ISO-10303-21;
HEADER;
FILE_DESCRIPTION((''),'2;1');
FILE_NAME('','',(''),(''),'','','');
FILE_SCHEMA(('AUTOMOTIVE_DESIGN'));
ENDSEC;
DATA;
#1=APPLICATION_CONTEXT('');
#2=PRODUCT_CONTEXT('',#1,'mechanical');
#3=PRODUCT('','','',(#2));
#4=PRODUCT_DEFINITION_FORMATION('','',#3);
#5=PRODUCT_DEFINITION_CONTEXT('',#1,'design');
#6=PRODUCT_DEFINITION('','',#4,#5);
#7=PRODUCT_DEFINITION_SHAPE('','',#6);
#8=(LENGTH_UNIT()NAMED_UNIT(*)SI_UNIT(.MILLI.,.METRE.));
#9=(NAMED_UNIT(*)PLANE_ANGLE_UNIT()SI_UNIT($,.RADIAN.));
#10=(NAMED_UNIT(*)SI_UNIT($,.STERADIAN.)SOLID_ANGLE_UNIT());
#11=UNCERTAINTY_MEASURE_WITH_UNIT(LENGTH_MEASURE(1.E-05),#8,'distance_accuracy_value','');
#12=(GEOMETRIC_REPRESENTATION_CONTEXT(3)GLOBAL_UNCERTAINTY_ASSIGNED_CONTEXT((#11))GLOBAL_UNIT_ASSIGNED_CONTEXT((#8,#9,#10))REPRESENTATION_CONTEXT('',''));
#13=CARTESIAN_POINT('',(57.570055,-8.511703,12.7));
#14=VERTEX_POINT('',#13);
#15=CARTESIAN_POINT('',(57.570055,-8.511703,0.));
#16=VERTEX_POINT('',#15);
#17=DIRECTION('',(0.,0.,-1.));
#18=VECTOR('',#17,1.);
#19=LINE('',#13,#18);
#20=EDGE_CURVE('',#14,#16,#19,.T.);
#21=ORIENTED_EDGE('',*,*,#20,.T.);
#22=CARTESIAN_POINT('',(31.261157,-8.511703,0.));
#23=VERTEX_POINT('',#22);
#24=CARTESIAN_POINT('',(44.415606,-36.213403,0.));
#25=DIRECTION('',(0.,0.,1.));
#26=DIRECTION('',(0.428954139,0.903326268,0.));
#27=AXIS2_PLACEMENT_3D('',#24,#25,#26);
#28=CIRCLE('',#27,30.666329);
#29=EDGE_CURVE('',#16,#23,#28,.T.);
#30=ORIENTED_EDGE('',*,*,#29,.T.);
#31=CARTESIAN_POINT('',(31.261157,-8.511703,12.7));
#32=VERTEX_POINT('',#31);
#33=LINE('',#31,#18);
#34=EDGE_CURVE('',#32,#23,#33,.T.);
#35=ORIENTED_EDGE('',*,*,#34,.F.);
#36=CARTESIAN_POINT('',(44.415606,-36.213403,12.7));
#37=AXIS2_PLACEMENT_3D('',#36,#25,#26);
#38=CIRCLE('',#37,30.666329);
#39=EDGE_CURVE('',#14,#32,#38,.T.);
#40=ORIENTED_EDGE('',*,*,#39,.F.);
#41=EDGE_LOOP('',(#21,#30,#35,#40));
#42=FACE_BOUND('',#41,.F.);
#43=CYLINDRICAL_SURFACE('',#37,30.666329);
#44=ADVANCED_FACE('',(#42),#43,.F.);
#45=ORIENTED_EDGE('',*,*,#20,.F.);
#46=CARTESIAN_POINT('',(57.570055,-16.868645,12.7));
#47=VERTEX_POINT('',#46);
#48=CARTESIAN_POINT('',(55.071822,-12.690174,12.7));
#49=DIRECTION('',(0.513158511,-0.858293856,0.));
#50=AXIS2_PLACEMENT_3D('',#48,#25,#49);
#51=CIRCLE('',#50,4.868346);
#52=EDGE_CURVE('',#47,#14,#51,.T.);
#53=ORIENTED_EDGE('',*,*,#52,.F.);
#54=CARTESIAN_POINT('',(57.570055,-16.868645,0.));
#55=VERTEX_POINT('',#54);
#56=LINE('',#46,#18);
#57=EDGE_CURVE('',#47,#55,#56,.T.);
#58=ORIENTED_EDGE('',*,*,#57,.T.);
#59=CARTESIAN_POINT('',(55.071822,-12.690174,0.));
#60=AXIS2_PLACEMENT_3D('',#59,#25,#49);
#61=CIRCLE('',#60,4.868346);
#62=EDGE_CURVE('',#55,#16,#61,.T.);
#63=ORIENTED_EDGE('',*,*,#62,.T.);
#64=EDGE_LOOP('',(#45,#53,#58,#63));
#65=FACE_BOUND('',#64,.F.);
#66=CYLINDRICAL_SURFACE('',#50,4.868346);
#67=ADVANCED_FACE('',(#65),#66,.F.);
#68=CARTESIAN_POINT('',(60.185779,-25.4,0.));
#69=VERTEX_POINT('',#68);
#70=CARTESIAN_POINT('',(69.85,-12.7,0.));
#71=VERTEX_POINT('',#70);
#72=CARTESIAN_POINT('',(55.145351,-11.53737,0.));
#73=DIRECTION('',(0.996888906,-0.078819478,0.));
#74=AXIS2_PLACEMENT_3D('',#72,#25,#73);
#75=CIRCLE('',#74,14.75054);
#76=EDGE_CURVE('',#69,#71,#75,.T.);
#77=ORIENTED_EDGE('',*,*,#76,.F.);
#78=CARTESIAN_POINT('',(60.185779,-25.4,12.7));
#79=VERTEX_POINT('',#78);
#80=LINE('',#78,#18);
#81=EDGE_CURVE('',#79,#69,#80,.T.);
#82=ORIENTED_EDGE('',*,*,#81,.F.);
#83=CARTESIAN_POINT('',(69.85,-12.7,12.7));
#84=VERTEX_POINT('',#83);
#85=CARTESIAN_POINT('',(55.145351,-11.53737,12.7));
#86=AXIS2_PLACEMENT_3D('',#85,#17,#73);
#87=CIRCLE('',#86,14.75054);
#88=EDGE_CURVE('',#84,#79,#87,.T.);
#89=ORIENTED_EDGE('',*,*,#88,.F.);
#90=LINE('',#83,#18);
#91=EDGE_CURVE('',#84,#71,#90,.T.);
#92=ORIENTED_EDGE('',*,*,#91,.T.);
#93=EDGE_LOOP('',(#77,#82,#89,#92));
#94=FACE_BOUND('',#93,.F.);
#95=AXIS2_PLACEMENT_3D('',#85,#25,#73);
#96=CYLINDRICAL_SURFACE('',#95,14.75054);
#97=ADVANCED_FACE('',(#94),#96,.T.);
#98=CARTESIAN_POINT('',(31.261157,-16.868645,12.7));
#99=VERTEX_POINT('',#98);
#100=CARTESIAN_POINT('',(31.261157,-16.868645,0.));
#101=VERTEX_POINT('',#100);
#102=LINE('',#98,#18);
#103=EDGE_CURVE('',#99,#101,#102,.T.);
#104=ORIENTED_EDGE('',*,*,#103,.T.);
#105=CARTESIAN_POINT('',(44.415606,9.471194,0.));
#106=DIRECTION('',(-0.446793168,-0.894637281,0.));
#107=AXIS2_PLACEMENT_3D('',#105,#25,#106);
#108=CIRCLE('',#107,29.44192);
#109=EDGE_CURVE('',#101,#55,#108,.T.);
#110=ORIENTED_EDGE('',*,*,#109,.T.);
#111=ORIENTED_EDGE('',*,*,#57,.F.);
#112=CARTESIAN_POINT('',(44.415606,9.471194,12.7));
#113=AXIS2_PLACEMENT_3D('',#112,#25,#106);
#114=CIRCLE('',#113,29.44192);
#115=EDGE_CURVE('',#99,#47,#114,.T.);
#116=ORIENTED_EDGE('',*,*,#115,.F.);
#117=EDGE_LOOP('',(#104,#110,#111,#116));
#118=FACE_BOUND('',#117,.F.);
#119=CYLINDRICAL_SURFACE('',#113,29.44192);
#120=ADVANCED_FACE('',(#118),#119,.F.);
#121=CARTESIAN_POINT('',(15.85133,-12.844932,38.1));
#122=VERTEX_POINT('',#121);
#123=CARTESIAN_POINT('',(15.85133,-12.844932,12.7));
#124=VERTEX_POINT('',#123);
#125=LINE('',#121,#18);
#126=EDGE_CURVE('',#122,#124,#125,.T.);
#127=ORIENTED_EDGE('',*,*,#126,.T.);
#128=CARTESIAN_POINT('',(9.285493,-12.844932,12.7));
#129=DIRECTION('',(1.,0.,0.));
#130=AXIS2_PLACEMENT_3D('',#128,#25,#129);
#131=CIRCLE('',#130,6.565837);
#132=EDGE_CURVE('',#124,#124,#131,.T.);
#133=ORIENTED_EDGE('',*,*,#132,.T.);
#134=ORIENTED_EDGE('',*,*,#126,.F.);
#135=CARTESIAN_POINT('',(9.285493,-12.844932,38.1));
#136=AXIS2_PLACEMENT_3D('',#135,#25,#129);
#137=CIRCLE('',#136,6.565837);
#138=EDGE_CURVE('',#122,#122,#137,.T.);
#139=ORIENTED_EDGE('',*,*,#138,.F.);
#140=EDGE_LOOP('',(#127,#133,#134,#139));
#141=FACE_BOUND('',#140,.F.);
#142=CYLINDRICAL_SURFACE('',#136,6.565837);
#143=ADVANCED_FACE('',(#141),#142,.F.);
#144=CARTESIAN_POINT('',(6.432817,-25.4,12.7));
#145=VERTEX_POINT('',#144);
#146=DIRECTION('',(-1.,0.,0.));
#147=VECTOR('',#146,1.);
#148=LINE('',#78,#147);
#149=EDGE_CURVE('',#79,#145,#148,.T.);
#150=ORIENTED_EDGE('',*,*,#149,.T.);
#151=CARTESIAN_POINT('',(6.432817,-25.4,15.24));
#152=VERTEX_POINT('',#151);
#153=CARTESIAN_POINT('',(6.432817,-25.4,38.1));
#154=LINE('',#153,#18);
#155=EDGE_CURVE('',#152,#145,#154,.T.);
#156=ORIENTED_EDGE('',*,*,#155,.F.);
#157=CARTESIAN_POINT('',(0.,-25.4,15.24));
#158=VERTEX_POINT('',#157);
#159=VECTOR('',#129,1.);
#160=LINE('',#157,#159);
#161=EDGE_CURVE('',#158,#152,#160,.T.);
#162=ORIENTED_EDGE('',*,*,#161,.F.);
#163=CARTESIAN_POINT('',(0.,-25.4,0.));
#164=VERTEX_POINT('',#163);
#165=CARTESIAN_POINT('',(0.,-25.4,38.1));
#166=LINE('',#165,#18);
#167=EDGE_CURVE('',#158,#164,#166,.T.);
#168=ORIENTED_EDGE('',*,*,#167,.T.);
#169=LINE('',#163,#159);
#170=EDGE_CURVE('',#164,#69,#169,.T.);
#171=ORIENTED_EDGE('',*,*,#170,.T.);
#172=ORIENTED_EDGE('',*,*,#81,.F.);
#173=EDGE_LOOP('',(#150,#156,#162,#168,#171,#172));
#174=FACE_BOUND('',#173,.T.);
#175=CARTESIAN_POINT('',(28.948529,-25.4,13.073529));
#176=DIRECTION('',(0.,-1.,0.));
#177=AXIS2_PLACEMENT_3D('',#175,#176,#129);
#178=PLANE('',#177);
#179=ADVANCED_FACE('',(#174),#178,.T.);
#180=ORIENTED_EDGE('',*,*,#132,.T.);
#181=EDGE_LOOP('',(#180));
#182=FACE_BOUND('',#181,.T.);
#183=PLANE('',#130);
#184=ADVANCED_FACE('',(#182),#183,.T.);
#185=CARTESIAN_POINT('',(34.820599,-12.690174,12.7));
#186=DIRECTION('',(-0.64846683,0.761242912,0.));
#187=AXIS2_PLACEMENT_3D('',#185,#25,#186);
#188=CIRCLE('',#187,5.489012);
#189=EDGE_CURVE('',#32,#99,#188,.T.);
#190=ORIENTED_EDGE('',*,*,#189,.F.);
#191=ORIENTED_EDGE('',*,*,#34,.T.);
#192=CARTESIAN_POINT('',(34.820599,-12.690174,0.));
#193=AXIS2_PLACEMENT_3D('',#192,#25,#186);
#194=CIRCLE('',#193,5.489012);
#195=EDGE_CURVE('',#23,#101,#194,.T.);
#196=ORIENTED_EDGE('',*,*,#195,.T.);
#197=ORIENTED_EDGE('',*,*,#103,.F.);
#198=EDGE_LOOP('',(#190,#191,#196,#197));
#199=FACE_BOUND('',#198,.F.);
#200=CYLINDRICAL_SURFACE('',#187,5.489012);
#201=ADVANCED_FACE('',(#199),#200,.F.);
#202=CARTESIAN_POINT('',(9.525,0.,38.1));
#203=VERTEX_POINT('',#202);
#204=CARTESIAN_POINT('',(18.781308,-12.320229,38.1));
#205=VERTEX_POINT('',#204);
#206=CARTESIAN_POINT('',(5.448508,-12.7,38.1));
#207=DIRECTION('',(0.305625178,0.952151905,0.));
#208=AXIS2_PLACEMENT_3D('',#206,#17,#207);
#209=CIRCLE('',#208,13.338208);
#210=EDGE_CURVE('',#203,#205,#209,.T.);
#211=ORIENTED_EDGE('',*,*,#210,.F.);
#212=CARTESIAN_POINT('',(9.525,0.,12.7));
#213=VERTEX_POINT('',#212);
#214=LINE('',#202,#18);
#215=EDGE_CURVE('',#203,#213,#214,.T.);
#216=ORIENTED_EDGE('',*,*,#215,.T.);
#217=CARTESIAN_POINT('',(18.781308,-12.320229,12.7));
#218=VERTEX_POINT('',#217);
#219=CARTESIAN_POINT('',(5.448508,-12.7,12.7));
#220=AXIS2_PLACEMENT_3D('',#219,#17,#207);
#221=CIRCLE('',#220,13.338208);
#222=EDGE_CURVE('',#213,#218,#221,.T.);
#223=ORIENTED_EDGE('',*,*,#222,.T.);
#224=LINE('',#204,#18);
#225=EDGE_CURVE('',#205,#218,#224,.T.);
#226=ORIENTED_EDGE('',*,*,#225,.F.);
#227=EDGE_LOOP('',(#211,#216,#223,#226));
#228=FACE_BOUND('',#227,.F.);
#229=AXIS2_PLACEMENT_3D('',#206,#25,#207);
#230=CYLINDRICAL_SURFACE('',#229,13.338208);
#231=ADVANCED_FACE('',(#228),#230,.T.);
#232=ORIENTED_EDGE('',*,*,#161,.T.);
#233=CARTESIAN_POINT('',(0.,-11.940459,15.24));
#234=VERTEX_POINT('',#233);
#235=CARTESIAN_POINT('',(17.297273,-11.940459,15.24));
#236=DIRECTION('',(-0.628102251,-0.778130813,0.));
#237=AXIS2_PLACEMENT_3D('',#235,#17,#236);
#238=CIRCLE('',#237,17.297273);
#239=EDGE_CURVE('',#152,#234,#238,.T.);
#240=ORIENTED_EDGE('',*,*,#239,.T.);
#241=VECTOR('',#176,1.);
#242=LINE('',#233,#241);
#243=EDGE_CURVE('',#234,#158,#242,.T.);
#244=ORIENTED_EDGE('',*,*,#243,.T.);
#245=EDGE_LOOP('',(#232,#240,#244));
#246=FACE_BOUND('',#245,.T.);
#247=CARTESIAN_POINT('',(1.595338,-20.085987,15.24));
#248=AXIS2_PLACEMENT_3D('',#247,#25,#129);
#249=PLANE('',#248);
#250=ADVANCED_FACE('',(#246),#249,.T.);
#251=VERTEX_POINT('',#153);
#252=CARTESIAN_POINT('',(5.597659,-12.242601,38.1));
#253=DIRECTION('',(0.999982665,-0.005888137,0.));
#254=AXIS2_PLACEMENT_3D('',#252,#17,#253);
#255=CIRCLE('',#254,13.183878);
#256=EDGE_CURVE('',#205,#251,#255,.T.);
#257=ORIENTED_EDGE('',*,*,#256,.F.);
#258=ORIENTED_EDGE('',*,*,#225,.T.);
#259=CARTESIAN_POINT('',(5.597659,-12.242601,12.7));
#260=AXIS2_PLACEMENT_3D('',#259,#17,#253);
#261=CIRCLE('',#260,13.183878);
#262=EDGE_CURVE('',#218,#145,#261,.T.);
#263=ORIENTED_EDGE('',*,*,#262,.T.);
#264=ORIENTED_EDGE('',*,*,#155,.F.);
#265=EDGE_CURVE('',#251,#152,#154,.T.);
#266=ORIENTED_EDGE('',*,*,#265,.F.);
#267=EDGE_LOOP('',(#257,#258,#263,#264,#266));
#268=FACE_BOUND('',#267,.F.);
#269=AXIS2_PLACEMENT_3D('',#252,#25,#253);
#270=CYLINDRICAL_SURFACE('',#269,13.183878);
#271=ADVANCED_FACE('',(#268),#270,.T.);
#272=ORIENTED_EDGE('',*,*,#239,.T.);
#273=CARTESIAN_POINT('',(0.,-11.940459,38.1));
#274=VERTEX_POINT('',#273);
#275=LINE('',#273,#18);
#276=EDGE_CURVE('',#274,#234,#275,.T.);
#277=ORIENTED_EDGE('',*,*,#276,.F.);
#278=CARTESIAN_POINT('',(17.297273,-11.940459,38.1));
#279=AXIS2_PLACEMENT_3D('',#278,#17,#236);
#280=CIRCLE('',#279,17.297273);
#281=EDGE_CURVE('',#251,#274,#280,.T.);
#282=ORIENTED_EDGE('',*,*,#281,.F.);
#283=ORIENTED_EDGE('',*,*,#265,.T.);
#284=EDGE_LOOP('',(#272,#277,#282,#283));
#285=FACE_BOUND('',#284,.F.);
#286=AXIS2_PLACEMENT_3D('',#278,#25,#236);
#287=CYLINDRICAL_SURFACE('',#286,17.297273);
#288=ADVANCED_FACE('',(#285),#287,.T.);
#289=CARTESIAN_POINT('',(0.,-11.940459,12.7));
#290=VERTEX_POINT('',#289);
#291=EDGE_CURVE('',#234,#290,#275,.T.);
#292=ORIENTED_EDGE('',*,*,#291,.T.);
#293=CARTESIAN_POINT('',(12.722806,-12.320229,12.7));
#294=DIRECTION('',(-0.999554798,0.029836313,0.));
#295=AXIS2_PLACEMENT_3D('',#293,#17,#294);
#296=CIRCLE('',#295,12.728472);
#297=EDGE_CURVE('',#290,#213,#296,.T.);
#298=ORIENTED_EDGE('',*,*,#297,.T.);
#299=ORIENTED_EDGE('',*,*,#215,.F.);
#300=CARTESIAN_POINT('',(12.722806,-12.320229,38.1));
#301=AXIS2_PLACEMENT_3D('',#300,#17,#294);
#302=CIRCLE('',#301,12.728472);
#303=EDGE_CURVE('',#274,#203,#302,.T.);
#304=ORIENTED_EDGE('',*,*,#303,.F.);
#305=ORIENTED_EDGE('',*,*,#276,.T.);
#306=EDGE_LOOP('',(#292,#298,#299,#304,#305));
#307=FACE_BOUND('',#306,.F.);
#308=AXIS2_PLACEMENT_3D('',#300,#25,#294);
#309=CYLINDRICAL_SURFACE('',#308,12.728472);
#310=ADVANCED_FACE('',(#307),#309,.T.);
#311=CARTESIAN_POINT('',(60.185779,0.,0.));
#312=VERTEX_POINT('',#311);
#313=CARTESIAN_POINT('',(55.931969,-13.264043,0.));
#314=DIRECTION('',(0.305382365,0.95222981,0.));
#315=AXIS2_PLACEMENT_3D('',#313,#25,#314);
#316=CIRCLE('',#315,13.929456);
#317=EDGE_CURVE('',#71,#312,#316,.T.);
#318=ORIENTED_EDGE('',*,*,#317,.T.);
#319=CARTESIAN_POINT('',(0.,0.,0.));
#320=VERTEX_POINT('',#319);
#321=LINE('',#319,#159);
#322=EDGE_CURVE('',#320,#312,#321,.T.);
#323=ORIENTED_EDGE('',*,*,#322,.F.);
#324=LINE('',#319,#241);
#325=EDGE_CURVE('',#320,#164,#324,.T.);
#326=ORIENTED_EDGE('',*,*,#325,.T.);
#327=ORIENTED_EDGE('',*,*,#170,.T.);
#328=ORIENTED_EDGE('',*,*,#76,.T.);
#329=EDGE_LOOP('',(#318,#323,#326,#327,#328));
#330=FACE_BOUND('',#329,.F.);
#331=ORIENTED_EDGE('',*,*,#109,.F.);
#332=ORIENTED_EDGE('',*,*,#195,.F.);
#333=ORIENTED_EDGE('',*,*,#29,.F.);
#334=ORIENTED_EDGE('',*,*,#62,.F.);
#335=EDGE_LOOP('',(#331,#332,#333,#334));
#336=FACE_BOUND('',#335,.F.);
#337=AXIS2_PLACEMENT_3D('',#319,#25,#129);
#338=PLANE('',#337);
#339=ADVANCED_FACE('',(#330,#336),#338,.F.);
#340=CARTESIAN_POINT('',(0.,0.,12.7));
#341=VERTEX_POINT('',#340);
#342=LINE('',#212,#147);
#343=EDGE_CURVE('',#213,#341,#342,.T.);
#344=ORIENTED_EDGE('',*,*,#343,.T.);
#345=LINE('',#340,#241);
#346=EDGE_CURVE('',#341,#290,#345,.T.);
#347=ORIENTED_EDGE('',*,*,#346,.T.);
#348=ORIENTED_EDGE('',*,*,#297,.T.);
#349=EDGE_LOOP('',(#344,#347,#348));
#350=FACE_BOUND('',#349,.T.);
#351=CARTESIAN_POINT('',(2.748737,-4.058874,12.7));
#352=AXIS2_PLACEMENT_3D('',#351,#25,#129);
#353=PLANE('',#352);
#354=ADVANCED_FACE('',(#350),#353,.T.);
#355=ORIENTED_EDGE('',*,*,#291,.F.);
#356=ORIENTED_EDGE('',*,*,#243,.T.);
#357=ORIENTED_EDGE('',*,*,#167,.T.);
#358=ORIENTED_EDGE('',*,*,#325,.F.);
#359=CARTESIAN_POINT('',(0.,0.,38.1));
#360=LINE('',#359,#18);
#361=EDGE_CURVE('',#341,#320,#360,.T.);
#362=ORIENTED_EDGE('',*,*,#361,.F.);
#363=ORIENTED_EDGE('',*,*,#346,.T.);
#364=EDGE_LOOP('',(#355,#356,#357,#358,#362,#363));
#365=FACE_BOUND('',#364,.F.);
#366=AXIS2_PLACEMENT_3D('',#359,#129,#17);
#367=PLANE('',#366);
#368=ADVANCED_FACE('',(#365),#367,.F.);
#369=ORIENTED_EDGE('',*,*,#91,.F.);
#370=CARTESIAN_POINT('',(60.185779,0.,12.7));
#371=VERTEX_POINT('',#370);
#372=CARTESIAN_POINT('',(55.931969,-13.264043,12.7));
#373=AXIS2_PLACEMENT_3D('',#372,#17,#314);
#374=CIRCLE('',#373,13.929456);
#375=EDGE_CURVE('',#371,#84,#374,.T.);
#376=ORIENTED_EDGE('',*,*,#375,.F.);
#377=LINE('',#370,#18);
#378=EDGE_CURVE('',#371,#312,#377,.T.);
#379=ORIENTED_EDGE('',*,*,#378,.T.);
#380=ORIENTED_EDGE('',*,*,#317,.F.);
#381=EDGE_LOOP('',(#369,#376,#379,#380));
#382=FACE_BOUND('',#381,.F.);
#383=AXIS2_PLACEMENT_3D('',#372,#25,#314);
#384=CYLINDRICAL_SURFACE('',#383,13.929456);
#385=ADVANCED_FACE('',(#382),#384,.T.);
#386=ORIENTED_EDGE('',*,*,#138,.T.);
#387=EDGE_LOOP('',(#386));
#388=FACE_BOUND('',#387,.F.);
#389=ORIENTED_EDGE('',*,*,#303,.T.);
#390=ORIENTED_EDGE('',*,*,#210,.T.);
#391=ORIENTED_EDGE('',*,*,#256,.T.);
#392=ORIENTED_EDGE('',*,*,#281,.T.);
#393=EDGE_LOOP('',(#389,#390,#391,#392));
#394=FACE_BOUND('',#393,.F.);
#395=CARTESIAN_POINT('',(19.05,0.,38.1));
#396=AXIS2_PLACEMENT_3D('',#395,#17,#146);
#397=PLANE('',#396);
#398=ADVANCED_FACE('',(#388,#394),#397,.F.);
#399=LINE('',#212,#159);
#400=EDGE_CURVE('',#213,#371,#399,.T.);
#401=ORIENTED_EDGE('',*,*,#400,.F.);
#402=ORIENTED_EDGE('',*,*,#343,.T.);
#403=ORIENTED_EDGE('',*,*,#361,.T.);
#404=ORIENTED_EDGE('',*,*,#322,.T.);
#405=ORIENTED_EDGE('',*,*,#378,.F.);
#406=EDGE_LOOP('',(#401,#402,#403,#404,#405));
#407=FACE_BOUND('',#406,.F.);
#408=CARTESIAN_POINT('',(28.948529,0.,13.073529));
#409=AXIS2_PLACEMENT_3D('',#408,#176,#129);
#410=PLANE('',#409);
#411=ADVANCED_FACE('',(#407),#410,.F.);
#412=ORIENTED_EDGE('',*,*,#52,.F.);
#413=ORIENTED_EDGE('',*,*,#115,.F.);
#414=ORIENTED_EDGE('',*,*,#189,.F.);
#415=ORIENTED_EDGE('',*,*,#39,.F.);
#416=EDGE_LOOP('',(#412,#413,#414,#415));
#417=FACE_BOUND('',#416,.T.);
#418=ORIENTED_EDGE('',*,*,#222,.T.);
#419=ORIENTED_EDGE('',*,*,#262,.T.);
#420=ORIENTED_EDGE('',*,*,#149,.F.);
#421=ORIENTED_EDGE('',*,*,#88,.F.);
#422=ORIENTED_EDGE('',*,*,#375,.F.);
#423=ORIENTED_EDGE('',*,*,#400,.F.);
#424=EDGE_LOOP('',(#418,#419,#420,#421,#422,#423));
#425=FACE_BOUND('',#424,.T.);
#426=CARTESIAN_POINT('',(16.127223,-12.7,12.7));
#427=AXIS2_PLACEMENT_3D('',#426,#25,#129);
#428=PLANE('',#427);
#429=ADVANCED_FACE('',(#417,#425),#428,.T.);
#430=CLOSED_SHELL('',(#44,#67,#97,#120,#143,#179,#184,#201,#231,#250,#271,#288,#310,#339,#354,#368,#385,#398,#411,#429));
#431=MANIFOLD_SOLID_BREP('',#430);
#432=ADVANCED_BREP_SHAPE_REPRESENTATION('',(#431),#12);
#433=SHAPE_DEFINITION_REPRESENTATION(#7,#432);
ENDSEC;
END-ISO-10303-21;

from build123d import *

# Parameters (mm, degrees)
F1_DEPTH  = 25.4
F3_DEPTH  = 25.4
F5_DEPTH  = 25.4
F6_R      = 6.5658374439
F7_DEPTH  = 25.4
F9_DEPTH  = 25.4
F11_DEPTH = 25.4
F13_DEPTH = 22.86


with BuildPart() as f1:
    # F0 (on Front) → F1 (new body)
    with BuildSketch(Plane.XZ):
        Polygon((0, 38.1), (0, 0), (69.85, 0), (69.85, 12.7), (19.05, 12.7), (19.05, 38.1), align=None)
    extrude(amount=F1_DEPTH)

    # F2 (on face) → F3 (cut)
    with BuildSketch(Plane.XY.offset(12.7)):
        with BuildLine():
            ThreePointArc((60.1857788861, 0), (67.0169340084, -4.8288024649), (69.85, -12.7))
            Line((69.85, -12.7), (69.85, 0))
            Line((69.85, 0), (60.1857788861, 0))
        make_face()
        with BuildLine():
            ThreePointArc((69.85, -12.7), (66.883728808, -20.4698334005), (60.1857788861, -25.4))
            Line((60.1857788861, -25.4), (69.85, -25.4))
            Line((69.85, -25.4), (69.85, -12.7))
        make_face()
    extrude(amount=-F3_DEPTH, mode=Mode.SUBTRACT)

    # F4 (on face) → F5 (cut)
    with BuildSketch(Plane.XY.offset(12.7)):
        with BuildLine():
            ThreePointArc((57.5700551271, -8.5117025301), (44.4156061858, -5.5470740223), (31.2611572444, -8.5117025301))
            ThreePointArc((31.2611572444, -8.5117025301), (29.3315874922, -12.6901739277), (31.2611572444, -16.8686453253))
            ThreePointArc((31.2611572444, -16.8686453253), (44.4156061858, -19.9707261196), (57.5700551271, -16.8686453253))
            ThreePointArc((57.5700551271, -16.8686453253), (59.9401679074, -12.6901739277), (57.5700551271, -8.5117025301))
        make_face()
    extrude(amount=-F5_DEPTH, mode=Mode.SUBTRACT)

    # F6 (on face) → F7 (cut)
    with BuildSketch(Plane.XY.offset(38.1)):
        with Locations((9.2854928225, -12.8449322656)):
            Circle(F6_R)
    extrude(amount=-F7_DEPTH, mode=Mode.SUBTRACT)

    # F8 (on face) → F9 (cut)
    with BuildSketch(Plane.XY.offset(38.1)):
        with BuildLine():
            ThreePointArc((9.525, 0), (18.786715691, -12.7), (9.525, -25.4))
            Line((9.525, -25.4), (19.05, -25.4))
            Line((19.05, -25.4), (19.05, 0))
            Line((19.05, 0), (9.525, 0))
        make_face()
    extrude(amount=-F9_DEPTH, mode=Mode.SUBTRACT)

    # F10 (on face) → F11 (cut)
    with BuildSketch(Plane.XY.offset(38.1)):
        with BuildLine():
            ThreePointArc((0, -11.9404586196), (2.7724235634, -4.3827293098), (9.525, 0))
            Line((9.525, 0), (0, 0))
            Line((0, 0), (0, -11.9404586196))
        make_face()
        with BuildLine():
            ThreePointArc((9.525, -25.4), (16.3361598408, -20.4049868588), (18.7813081047, -12.3202293098))
            ThreePointArc((18.7813081047, -12.3202293098), (15.1842035357, -21.293169718), (6.4328170235, -25.4))
            Line((6.4328170235, -25.4), (9.525, -25.4))
        make_face()
    extrude(amount=-F11_DEPTH, mode=Mode.SUBTRACT)

    # F12 (on face) → F13 (cut)
    with BuildSketch(Plane.XY.offset(38.1)):
        with BuildLine():
            ThreePointArc((6.4328170235, -25.4), (1.6908462088, -19.3993524556), (0, -11.9404586196))
            Line((0, -11.9404586196), (0, -25.4))
            Line((0, -25.4), (6.4328170235, -25.4))
        make_face()
    extrude(amount=-F13_DEPTH, mode=Mode.SUBTRACT)


solid = f1.part
